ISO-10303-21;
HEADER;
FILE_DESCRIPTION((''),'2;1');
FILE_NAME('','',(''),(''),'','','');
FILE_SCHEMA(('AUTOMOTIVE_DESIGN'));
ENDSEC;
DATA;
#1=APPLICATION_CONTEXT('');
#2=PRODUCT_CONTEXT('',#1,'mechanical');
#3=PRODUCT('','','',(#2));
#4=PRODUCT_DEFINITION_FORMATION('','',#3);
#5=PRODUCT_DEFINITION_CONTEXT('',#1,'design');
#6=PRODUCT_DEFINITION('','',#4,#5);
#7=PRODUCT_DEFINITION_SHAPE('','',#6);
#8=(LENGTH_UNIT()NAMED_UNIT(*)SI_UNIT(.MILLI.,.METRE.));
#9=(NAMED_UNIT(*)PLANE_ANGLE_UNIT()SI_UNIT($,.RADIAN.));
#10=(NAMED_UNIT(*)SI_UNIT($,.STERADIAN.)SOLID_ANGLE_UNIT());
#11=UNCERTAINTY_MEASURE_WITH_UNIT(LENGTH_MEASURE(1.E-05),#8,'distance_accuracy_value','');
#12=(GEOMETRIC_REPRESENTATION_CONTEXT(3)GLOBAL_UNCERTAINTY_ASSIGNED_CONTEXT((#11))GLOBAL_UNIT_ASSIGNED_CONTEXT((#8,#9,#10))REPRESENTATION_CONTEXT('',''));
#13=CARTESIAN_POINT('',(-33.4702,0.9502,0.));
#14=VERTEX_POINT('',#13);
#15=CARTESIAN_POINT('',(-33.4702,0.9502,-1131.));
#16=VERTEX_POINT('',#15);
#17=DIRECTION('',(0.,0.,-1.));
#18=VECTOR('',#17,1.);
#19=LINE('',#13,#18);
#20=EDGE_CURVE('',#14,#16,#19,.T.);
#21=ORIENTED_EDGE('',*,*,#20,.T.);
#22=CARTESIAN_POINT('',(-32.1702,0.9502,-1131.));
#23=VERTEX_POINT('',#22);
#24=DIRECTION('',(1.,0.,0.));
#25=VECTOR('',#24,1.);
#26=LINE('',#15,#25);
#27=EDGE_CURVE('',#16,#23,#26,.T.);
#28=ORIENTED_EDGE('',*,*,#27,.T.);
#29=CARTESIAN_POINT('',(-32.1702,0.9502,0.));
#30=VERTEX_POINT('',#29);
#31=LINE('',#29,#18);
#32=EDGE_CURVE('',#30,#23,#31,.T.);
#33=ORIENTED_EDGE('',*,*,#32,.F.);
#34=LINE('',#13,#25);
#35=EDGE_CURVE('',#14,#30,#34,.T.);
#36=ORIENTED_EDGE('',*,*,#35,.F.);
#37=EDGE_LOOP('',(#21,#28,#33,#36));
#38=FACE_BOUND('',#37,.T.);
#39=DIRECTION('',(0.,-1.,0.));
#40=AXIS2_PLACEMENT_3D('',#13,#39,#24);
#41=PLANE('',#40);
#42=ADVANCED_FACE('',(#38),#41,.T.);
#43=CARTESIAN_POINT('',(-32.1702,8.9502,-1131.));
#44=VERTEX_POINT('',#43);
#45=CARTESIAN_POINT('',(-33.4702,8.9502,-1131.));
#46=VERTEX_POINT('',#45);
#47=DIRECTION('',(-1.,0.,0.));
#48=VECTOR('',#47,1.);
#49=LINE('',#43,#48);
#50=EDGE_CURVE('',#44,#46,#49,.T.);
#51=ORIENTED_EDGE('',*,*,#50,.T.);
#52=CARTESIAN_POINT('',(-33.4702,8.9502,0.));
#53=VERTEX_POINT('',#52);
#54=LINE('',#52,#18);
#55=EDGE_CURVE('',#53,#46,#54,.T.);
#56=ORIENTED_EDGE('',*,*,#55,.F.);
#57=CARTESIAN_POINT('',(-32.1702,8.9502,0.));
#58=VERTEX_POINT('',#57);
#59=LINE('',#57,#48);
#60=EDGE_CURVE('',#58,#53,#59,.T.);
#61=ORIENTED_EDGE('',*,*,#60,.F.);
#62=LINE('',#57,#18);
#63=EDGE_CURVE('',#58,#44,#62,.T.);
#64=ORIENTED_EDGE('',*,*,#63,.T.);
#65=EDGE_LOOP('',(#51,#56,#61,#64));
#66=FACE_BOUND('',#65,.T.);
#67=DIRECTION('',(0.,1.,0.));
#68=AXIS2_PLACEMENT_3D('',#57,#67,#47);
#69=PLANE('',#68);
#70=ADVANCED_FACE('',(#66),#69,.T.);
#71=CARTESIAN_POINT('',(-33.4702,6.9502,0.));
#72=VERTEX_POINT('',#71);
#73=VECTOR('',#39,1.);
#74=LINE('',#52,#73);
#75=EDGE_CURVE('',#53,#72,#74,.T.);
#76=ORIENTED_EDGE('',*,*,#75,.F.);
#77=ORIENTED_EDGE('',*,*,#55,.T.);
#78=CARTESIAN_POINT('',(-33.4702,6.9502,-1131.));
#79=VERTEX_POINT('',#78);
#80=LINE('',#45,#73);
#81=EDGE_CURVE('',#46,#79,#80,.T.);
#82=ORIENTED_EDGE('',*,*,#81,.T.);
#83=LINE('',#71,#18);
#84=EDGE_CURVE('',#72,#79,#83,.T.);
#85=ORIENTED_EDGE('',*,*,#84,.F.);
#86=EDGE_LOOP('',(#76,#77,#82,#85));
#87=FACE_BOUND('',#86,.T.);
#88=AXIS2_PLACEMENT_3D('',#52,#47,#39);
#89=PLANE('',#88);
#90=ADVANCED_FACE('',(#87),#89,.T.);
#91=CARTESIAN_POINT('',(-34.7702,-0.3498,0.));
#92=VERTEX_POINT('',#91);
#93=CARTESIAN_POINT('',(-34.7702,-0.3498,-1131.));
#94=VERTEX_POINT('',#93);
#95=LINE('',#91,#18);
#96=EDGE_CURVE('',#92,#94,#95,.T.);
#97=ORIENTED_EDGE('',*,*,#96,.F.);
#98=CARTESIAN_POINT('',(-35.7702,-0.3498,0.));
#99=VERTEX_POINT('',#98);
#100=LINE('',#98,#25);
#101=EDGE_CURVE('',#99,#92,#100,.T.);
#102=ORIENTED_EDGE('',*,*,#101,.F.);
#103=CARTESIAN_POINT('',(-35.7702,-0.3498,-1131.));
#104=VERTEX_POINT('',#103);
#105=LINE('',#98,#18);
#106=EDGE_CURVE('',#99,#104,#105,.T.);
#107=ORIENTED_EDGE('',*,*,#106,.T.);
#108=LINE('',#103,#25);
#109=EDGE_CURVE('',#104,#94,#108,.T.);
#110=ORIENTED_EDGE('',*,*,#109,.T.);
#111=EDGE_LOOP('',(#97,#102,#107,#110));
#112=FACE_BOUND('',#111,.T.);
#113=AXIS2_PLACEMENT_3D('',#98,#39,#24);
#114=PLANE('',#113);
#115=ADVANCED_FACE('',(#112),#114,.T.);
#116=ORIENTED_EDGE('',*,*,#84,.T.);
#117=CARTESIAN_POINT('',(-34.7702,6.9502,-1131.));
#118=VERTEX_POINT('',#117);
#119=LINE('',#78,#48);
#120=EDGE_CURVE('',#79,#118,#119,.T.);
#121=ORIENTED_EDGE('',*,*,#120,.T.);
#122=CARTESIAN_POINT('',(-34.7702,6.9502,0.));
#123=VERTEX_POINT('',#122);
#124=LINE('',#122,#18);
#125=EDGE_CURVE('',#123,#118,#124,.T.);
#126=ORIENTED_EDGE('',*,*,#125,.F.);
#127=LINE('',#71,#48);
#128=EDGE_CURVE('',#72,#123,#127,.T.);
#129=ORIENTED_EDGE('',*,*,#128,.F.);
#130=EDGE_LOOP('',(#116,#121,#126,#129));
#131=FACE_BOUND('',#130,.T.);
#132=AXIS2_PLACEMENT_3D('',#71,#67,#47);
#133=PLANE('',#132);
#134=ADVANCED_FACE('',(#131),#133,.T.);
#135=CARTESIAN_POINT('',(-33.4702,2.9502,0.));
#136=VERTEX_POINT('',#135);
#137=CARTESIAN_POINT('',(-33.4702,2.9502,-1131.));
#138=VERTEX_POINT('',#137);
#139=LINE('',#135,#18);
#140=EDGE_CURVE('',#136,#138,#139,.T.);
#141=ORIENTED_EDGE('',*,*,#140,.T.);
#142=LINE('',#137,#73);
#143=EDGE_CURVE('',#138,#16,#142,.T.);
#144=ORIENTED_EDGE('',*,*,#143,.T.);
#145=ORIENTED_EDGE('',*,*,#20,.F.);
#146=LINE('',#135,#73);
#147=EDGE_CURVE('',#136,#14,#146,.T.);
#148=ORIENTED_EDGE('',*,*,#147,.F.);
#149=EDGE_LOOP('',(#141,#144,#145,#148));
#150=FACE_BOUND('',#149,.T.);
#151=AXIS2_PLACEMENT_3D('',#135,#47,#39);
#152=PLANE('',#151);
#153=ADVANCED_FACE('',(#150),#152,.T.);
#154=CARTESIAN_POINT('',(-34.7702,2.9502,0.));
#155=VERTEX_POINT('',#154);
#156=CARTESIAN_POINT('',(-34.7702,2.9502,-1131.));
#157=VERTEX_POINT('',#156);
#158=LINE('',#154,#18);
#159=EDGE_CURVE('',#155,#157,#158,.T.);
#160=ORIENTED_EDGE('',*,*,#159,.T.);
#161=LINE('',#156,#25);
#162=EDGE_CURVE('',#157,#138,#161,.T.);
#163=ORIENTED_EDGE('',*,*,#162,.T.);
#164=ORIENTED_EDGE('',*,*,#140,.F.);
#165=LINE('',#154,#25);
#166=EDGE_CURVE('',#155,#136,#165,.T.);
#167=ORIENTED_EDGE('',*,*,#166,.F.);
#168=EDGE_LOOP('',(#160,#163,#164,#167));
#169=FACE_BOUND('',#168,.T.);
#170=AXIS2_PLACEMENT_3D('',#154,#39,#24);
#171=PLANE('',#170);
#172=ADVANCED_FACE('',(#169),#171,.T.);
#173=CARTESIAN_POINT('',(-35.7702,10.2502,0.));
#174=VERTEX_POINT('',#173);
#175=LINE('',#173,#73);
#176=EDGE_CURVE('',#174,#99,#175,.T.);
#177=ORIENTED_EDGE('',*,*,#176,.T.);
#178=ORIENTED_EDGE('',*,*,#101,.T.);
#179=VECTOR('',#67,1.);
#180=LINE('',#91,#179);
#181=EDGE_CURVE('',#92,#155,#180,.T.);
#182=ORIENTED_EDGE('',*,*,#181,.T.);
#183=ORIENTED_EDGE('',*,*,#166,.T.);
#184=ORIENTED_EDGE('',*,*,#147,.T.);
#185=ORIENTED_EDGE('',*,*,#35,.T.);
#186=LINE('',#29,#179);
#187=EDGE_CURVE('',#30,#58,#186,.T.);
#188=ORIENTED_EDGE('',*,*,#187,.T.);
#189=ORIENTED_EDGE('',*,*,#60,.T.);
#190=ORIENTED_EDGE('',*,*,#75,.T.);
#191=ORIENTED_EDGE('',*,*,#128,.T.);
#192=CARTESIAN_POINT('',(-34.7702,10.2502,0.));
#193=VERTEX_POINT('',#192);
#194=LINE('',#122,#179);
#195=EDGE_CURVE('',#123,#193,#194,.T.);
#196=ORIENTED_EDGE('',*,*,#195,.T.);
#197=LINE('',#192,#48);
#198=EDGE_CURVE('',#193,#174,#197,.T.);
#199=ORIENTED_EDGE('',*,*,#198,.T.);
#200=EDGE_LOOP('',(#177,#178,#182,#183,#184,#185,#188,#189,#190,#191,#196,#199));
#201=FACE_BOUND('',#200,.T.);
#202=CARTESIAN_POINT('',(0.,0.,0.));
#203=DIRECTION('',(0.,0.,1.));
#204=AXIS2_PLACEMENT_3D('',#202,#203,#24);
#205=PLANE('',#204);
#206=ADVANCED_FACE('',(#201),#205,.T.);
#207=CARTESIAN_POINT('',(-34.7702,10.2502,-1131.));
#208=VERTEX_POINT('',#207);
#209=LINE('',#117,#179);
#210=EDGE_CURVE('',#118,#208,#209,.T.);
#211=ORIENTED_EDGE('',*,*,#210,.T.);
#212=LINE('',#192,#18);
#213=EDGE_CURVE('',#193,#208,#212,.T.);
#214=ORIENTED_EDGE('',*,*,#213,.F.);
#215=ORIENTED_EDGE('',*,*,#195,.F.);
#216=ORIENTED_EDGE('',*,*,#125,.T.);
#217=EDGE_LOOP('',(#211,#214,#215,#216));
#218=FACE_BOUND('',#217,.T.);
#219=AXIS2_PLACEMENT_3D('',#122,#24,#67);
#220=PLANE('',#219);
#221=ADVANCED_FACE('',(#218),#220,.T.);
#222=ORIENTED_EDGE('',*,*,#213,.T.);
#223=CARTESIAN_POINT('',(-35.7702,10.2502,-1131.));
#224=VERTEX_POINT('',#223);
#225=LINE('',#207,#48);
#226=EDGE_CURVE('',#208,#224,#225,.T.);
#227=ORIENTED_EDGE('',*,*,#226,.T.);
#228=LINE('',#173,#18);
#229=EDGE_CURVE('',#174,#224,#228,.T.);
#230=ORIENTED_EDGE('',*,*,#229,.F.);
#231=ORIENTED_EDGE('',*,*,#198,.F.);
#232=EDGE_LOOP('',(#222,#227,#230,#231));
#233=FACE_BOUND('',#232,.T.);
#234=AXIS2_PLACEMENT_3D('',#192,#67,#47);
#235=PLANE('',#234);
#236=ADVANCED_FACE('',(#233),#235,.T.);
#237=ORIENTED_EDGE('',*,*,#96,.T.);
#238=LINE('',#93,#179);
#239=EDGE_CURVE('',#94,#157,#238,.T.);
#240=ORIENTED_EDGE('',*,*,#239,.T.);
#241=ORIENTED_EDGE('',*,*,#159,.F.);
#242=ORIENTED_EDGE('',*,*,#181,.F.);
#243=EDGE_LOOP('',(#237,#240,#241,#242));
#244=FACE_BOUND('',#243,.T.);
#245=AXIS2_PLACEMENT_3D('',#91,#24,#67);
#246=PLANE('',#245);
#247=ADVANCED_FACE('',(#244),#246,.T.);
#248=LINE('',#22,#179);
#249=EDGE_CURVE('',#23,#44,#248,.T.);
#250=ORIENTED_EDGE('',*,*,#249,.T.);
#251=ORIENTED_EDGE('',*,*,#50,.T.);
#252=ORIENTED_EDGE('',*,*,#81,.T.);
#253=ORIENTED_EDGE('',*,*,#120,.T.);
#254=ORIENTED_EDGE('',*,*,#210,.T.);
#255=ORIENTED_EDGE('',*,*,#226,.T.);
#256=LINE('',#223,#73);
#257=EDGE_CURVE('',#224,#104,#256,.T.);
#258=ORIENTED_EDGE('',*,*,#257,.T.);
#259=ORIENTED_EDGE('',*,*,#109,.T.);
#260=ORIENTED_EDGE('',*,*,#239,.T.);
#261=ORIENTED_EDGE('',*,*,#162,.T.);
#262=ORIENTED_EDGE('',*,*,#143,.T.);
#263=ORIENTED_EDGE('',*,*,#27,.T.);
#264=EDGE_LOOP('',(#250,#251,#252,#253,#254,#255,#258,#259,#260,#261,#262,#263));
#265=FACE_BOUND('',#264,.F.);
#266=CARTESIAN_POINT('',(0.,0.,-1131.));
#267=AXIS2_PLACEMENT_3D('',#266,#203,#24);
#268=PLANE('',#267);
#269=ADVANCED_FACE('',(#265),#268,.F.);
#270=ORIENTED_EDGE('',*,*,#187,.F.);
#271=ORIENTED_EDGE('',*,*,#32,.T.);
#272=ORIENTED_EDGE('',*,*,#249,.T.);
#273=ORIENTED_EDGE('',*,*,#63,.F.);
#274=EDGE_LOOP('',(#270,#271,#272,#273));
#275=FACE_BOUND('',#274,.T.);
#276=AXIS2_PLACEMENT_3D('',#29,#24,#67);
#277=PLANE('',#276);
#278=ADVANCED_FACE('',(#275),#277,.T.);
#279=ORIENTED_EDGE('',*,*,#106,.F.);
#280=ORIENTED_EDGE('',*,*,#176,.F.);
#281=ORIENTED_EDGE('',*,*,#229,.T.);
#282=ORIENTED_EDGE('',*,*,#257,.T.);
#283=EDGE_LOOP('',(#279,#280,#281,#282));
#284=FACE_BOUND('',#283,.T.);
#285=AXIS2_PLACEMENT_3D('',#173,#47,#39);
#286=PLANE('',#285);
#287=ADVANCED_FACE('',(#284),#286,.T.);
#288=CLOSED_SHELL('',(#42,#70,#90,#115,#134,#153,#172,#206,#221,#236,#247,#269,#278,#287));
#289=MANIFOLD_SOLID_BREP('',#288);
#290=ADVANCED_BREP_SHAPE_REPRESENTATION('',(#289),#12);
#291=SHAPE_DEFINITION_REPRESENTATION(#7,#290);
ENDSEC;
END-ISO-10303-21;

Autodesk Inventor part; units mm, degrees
ref_plane "YZ Plane" through (0, 0, 0) normal (1, 0, 0) x (0, 1, 0)
ref_plane "XZ Plane" through (0, 0, 0) normal (0, 1, 0) x (-1, 0, 0)
ref_plane "XY Plane" through (0, 0, 0) normal (0, 0, 1) x (1, 0, 0)
sketch "Boceto1" plane through (0, 0, 0) normal (0, 0, 1) x (1, 0, 0)
  line L0 (-34.7702, -0.3498) -> (-34.7702, 2.9502)
  line L1 (-34.7702, 2.9502) -> (-33.4702, 2.9502)
  line L2 (-33.4702, 2.9502) -> (-33.4702, 0.9502)
  line L3 (-33.4702, 0.9502) -> (-32.1702, 0.9502)
  line L4 (-32.1702, 0.9502) -> (-32.1702, 8.9502)
  line L5 (-32.1702, 8.9502) -> (-33.4702, 8.9502)
  line L6 (-33.4702, 8.9502) -> (-33.4702, 6.9502)
  line L7 (-33.4702, 6.9502) -> (-34.7702, 6.9502)
  line L8 (-34.7702, 6.9502) -> (-34.7702, 10.2502)
  line L9 (-34.7702, 10.2502) -> (-35.7702, 10.2502)
  line L10 (-35.7702, 10.2502) -> (-35.7702, -0.3498)
  line L11 (-35.7702, -0.3498) -> (-34.7702, -0.3498)
  dimension "d14" = 1.3
  dimension "d41" = 1
  dimension "d42" = 4
  dimension "d43" = 10.6
  dimension "d44" = 8
  dimension "d45" = 1.3
extrude "Extrusión1" add sketch "Boceto1" against normal blind 1131
properties part number "SP40-11 JUNTA DE FELPA PARA ENCUENTRO HOJA CORREDERA 695 mm" material "Caucho"
